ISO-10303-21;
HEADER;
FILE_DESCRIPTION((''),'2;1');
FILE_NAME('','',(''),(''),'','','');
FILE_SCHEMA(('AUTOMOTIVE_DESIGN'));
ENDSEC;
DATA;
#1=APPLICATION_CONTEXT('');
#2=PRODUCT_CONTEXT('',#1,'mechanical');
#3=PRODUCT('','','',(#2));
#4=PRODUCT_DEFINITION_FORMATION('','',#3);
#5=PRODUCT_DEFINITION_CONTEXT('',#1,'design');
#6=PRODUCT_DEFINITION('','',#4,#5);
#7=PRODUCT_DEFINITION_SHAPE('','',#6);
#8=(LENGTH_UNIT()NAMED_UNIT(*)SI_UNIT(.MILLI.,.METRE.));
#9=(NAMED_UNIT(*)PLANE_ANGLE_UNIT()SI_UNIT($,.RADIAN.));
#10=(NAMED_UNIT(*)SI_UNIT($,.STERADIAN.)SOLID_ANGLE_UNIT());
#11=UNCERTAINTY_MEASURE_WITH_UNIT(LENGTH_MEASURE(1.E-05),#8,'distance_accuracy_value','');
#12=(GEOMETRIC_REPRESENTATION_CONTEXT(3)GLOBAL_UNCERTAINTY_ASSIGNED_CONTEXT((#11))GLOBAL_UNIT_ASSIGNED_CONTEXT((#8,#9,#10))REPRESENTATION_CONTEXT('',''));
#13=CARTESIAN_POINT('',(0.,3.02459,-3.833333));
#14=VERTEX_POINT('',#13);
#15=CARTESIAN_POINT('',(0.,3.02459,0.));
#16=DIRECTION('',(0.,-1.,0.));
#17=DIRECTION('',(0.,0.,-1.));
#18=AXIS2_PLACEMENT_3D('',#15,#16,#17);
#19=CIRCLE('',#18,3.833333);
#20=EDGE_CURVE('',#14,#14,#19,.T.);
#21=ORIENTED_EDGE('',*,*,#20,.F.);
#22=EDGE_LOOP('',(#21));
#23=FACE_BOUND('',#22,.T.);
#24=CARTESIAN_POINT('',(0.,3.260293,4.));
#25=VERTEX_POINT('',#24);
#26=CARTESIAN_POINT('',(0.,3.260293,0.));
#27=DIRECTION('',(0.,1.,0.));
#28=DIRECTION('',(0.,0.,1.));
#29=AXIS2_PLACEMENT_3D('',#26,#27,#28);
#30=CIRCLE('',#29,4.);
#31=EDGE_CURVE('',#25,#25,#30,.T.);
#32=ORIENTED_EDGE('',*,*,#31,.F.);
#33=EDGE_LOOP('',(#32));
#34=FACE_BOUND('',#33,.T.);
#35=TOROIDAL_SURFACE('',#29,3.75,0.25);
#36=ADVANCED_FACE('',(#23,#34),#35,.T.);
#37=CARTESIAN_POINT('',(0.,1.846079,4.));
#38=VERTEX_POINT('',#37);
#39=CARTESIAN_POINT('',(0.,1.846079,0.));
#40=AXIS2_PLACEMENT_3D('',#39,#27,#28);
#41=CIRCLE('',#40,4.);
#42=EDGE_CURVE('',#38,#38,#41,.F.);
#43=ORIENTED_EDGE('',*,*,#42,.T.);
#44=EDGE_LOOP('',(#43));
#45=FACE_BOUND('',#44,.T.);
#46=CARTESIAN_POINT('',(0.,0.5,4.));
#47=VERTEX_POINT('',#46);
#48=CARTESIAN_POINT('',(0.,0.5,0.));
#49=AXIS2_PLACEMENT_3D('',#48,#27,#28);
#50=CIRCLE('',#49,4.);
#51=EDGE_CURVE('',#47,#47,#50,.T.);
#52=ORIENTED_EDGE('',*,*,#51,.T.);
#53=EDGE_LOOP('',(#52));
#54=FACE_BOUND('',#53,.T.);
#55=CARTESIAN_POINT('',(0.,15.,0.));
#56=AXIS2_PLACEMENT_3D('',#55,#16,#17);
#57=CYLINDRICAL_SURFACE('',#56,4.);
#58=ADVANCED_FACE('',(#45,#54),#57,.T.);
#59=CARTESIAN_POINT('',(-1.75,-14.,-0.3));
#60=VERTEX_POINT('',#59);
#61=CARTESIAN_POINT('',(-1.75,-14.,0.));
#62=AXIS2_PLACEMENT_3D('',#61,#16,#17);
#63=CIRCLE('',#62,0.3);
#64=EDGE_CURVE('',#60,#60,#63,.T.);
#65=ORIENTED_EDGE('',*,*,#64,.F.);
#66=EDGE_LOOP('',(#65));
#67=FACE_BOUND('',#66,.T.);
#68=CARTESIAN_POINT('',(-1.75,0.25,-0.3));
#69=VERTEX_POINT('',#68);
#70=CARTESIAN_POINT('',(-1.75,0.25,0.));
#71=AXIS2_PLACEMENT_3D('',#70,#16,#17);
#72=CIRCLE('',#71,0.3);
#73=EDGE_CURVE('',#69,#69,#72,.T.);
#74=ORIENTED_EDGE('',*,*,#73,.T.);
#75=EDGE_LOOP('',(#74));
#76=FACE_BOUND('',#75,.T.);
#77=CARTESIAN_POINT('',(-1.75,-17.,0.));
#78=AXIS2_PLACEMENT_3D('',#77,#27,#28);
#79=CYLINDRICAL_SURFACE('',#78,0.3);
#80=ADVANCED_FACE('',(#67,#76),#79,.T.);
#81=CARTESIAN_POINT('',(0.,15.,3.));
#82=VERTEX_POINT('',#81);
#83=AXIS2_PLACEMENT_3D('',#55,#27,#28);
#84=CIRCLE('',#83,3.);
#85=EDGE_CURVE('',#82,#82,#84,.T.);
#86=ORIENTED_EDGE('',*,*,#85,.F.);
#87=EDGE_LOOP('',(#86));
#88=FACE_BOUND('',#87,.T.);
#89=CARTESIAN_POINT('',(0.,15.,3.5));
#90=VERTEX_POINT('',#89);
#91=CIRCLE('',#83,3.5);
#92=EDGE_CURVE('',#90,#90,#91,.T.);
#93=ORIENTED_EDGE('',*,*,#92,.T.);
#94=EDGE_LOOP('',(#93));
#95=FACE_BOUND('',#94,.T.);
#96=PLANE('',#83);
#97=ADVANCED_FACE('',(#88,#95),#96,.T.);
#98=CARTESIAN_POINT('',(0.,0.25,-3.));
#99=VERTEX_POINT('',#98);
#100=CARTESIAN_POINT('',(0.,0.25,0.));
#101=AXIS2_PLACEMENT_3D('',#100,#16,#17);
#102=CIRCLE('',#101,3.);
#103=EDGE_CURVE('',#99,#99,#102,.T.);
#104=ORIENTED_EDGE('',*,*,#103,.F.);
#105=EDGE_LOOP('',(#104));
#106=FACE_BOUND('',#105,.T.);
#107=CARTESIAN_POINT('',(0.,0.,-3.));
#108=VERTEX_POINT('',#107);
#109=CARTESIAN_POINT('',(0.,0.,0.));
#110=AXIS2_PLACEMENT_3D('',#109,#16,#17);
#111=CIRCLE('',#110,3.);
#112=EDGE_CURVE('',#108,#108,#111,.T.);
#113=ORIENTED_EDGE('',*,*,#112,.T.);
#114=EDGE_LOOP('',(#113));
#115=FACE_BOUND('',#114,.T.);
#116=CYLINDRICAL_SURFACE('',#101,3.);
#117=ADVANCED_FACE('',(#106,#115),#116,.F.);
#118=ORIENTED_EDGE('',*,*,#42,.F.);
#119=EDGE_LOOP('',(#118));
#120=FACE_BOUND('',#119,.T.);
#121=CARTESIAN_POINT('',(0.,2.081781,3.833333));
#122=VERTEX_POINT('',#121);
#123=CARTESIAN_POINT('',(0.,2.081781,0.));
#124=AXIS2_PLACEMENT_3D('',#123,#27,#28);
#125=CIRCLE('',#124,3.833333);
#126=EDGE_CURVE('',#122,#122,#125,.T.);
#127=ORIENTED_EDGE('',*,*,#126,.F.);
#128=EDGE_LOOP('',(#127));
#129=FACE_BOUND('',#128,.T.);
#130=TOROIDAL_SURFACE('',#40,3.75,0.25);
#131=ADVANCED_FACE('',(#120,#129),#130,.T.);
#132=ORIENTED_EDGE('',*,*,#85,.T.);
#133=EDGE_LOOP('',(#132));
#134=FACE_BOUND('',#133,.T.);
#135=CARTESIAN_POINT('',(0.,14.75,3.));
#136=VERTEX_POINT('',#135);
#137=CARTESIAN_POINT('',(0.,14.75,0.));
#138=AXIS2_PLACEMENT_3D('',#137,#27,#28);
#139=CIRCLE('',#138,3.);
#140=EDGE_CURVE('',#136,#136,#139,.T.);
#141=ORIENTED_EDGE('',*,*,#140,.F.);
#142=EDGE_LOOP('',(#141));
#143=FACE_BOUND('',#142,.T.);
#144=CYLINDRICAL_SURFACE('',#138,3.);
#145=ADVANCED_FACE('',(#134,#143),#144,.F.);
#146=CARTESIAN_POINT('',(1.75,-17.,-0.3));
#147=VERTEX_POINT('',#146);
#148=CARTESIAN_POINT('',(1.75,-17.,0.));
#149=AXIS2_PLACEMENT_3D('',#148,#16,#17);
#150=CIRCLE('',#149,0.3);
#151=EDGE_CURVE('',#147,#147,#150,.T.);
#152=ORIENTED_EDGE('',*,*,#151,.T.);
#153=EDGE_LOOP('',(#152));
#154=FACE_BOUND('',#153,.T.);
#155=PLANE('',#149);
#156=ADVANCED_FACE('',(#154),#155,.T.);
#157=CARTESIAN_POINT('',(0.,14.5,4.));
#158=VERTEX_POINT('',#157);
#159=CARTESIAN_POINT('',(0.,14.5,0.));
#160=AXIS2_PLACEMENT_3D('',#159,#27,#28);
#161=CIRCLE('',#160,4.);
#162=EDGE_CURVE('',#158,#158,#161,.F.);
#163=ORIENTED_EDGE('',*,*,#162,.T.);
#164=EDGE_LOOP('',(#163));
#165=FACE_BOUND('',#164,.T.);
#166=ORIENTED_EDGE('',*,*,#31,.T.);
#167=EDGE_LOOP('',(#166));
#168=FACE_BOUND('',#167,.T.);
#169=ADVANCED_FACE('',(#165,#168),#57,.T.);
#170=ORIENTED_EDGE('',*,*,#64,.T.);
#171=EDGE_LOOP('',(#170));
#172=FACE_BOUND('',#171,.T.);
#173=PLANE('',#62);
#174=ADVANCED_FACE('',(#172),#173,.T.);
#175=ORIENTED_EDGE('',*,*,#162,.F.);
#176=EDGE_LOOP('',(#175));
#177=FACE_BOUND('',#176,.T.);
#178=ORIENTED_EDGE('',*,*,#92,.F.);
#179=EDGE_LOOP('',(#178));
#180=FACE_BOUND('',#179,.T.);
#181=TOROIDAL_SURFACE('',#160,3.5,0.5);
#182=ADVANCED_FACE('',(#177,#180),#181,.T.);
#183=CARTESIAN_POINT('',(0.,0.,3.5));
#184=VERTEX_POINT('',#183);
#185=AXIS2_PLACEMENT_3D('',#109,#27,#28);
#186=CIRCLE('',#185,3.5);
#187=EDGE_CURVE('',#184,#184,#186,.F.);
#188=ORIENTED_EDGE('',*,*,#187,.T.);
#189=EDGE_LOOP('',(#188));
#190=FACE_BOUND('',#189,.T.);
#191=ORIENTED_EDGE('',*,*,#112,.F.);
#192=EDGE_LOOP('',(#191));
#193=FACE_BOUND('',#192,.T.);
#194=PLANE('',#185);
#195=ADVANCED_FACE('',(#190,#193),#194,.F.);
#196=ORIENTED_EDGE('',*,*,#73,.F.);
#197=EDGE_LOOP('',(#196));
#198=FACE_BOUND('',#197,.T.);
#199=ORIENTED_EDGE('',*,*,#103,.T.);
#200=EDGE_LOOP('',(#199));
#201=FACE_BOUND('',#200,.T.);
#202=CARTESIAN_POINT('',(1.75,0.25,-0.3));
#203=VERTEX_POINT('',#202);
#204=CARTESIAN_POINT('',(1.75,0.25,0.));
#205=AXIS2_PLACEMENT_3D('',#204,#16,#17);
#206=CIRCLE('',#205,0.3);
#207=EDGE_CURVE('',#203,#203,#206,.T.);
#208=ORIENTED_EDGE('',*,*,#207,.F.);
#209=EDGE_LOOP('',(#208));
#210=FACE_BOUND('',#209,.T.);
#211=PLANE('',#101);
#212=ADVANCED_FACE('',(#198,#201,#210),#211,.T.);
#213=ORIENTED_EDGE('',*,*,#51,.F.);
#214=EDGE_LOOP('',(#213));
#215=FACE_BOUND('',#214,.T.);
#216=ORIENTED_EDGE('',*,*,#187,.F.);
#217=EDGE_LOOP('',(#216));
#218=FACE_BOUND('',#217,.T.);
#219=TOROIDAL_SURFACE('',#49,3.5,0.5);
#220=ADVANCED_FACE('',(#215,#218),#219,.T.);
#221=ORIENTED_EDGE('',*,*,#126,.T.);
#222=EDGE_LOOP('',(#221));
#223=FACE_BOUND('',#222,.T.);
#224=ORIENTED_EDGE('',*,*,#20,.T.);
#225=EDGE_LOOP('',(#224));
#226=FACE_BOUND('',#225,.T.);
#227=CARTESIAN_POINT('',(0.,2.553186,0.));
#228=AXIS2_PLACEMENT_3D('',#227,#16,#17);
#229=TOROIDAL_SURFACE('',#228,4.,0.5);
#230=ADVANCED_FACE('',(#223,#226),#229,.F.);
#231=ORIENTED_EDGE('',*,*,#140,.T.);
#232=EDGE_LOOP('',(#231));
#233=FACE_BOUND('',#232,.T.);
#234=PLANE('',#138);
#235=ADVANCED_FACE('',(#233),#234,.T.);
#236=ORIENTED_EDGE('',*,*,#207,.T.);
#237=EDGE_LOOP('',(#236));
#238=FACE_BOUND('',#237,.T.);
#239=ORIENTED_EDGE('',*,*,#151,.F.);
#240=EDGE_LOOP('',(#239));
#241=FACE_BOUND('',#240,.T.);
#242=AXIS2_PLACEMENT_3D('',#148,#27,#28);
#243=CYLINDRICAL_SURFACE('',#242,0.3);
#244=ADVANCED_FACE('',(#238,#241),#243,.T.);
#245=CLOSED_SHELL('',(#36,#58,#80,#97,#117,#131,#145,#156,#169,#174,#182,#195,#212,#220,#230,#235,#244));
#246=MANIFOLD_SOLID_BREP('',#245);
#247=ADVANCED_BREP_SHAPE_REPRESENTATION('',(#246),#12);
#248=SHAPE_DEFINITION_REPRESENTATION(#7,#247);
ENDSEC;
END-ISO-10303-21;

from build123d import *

# Parameters (mm, degrees)
SKETCH1_R           = 4
BASE_EXTRUDE_DEPTH  = 15
FILLET1_R           = 0.5
FILLET2_R           = 0.25
SKETCH4_R           = 3
CUT_EXTRUDE1_DEPTH  = 0.25
SKETCH3_R           = 0.3
BOSS_EXTRUDE1_DEPTH = 17.25
SKETCH5_R           = 0.3
CUT_EXTRUDE2_DEPTH  = 3
SKETCH6_R           = 3
CUT_EXTRUDE3_DEPTH  = 0.25


with BuildPart() as part:
    # Sketch1 → Base-Extrude (new body)
    with BuildSketch(Plane(origin=(0, 0, 0), x_dir=(1, 0, 0), z_dir=(0, 1, 0))):
        with Locations(Location((0, 0, 0), (0, 0, 270))):  # turned: the seam where the file's is
            Circle(SKETCH1_R)
    extrude(amount=BASE_EXTRUDE_DEPTH)

    # Sketch2 → Cut-Revolve1 (revolve, cut)
    with BuildSketch(Plane(origin=(0, 0, 0), x_dir=(0, 0, -1), z_dir=(1, 0, 0)), mode=Mode.PRIVATE) as cut_revolve1_sk:
        with BuildLine():
            Line((-4, 3.053185949), (-4, 2.053185949))
            ThreePointArc((-4, 2.053185949), (-3.5, 2.553185949), (-4, 3.053185949))
        make_face()
    revolve(cut_revolve1_sk.sketch.rotate(Axis((0, 0, 0), (0, 1, 0)), 180), axis=Axis((0, 0, 0), (0, 1, 0)), mode=Mode.SUBTRACT)  # turned: the seam where the file's is

    # Fillet1
    fillet1_edges = [part.edges().sort_by_distance(p)[0] for p in [
        (0, 0, -4),
        (0, 15, -4),
    ]]
    fillet(fillet1_edges, radius=FILLET1_R)

    # Fillet2
    fillet2_edges = [part.edges().sort_by_distance(p)[0] for p in [
        (-4, 2.053185949, 0),
        (-4, 3.053185949, 0),
    ]]
    fillet(fillet2_edges, radius=FILLET2_R)

    # Sketch4 → Cut-Extrude1 (cut)
    with BuildSketch(Plane.XZ):
        with Locations(Location((0, 0, 0), (0, 0, 270))):  # turned: the seam where the file's is
            Circle(SKETCH4_R)
    extrude(amount=-CUT_EXTRUDE1_DEPTH, mode=Mode.SUBTRACT)

    # Sketch3 → Boss-Extrude1 (add)
    with BuildSketch(Plane.XZ.offset(-0.25)):
        with Locations(Location((-1.75, 0, 0), (0, 0, 270))):  # turned: the seam where the file's is
            Circle(SKETCH3_R)
        with Locations(Location((1.75, 0, 0), (0, 0, 270))):  # turned: the seam where the file's is
            Circle(SKETCH3_R)
    extrude(amount=BOSS_EXTRUDE1_DEPTH)

    # Sketch5 → Cut-Extrude2 (cut)
    with BuildSketch(Plane.XZ.offset(17)):
        with Locations(Location((-1.75, 0, 0), (0, 0, 270))):  # turned: the seam where the file's is
            Circle(SKETCH5_R)
    extrude(amount=-CUT_EXTRUDE2_DEPTH, mode=Mode.SUBTRACT)

    # Sketch6 → Cut-Extrude3 (cut)
    with BuildSketch(Plane(origin=(0, 15, 0), x_dir=(-1, 0, 0), z_dir=(0, 1, 0))):
        with Locations(Location((0, 0, 0), (0, 0, 270))):  # turned: the seam where the file's is
            Circle(SKETCH6_R)
    extrude(amount=-CUT_EXTRUDE3_DEPTH, mode=Mode.SUBTRACT)


solid = part.part
